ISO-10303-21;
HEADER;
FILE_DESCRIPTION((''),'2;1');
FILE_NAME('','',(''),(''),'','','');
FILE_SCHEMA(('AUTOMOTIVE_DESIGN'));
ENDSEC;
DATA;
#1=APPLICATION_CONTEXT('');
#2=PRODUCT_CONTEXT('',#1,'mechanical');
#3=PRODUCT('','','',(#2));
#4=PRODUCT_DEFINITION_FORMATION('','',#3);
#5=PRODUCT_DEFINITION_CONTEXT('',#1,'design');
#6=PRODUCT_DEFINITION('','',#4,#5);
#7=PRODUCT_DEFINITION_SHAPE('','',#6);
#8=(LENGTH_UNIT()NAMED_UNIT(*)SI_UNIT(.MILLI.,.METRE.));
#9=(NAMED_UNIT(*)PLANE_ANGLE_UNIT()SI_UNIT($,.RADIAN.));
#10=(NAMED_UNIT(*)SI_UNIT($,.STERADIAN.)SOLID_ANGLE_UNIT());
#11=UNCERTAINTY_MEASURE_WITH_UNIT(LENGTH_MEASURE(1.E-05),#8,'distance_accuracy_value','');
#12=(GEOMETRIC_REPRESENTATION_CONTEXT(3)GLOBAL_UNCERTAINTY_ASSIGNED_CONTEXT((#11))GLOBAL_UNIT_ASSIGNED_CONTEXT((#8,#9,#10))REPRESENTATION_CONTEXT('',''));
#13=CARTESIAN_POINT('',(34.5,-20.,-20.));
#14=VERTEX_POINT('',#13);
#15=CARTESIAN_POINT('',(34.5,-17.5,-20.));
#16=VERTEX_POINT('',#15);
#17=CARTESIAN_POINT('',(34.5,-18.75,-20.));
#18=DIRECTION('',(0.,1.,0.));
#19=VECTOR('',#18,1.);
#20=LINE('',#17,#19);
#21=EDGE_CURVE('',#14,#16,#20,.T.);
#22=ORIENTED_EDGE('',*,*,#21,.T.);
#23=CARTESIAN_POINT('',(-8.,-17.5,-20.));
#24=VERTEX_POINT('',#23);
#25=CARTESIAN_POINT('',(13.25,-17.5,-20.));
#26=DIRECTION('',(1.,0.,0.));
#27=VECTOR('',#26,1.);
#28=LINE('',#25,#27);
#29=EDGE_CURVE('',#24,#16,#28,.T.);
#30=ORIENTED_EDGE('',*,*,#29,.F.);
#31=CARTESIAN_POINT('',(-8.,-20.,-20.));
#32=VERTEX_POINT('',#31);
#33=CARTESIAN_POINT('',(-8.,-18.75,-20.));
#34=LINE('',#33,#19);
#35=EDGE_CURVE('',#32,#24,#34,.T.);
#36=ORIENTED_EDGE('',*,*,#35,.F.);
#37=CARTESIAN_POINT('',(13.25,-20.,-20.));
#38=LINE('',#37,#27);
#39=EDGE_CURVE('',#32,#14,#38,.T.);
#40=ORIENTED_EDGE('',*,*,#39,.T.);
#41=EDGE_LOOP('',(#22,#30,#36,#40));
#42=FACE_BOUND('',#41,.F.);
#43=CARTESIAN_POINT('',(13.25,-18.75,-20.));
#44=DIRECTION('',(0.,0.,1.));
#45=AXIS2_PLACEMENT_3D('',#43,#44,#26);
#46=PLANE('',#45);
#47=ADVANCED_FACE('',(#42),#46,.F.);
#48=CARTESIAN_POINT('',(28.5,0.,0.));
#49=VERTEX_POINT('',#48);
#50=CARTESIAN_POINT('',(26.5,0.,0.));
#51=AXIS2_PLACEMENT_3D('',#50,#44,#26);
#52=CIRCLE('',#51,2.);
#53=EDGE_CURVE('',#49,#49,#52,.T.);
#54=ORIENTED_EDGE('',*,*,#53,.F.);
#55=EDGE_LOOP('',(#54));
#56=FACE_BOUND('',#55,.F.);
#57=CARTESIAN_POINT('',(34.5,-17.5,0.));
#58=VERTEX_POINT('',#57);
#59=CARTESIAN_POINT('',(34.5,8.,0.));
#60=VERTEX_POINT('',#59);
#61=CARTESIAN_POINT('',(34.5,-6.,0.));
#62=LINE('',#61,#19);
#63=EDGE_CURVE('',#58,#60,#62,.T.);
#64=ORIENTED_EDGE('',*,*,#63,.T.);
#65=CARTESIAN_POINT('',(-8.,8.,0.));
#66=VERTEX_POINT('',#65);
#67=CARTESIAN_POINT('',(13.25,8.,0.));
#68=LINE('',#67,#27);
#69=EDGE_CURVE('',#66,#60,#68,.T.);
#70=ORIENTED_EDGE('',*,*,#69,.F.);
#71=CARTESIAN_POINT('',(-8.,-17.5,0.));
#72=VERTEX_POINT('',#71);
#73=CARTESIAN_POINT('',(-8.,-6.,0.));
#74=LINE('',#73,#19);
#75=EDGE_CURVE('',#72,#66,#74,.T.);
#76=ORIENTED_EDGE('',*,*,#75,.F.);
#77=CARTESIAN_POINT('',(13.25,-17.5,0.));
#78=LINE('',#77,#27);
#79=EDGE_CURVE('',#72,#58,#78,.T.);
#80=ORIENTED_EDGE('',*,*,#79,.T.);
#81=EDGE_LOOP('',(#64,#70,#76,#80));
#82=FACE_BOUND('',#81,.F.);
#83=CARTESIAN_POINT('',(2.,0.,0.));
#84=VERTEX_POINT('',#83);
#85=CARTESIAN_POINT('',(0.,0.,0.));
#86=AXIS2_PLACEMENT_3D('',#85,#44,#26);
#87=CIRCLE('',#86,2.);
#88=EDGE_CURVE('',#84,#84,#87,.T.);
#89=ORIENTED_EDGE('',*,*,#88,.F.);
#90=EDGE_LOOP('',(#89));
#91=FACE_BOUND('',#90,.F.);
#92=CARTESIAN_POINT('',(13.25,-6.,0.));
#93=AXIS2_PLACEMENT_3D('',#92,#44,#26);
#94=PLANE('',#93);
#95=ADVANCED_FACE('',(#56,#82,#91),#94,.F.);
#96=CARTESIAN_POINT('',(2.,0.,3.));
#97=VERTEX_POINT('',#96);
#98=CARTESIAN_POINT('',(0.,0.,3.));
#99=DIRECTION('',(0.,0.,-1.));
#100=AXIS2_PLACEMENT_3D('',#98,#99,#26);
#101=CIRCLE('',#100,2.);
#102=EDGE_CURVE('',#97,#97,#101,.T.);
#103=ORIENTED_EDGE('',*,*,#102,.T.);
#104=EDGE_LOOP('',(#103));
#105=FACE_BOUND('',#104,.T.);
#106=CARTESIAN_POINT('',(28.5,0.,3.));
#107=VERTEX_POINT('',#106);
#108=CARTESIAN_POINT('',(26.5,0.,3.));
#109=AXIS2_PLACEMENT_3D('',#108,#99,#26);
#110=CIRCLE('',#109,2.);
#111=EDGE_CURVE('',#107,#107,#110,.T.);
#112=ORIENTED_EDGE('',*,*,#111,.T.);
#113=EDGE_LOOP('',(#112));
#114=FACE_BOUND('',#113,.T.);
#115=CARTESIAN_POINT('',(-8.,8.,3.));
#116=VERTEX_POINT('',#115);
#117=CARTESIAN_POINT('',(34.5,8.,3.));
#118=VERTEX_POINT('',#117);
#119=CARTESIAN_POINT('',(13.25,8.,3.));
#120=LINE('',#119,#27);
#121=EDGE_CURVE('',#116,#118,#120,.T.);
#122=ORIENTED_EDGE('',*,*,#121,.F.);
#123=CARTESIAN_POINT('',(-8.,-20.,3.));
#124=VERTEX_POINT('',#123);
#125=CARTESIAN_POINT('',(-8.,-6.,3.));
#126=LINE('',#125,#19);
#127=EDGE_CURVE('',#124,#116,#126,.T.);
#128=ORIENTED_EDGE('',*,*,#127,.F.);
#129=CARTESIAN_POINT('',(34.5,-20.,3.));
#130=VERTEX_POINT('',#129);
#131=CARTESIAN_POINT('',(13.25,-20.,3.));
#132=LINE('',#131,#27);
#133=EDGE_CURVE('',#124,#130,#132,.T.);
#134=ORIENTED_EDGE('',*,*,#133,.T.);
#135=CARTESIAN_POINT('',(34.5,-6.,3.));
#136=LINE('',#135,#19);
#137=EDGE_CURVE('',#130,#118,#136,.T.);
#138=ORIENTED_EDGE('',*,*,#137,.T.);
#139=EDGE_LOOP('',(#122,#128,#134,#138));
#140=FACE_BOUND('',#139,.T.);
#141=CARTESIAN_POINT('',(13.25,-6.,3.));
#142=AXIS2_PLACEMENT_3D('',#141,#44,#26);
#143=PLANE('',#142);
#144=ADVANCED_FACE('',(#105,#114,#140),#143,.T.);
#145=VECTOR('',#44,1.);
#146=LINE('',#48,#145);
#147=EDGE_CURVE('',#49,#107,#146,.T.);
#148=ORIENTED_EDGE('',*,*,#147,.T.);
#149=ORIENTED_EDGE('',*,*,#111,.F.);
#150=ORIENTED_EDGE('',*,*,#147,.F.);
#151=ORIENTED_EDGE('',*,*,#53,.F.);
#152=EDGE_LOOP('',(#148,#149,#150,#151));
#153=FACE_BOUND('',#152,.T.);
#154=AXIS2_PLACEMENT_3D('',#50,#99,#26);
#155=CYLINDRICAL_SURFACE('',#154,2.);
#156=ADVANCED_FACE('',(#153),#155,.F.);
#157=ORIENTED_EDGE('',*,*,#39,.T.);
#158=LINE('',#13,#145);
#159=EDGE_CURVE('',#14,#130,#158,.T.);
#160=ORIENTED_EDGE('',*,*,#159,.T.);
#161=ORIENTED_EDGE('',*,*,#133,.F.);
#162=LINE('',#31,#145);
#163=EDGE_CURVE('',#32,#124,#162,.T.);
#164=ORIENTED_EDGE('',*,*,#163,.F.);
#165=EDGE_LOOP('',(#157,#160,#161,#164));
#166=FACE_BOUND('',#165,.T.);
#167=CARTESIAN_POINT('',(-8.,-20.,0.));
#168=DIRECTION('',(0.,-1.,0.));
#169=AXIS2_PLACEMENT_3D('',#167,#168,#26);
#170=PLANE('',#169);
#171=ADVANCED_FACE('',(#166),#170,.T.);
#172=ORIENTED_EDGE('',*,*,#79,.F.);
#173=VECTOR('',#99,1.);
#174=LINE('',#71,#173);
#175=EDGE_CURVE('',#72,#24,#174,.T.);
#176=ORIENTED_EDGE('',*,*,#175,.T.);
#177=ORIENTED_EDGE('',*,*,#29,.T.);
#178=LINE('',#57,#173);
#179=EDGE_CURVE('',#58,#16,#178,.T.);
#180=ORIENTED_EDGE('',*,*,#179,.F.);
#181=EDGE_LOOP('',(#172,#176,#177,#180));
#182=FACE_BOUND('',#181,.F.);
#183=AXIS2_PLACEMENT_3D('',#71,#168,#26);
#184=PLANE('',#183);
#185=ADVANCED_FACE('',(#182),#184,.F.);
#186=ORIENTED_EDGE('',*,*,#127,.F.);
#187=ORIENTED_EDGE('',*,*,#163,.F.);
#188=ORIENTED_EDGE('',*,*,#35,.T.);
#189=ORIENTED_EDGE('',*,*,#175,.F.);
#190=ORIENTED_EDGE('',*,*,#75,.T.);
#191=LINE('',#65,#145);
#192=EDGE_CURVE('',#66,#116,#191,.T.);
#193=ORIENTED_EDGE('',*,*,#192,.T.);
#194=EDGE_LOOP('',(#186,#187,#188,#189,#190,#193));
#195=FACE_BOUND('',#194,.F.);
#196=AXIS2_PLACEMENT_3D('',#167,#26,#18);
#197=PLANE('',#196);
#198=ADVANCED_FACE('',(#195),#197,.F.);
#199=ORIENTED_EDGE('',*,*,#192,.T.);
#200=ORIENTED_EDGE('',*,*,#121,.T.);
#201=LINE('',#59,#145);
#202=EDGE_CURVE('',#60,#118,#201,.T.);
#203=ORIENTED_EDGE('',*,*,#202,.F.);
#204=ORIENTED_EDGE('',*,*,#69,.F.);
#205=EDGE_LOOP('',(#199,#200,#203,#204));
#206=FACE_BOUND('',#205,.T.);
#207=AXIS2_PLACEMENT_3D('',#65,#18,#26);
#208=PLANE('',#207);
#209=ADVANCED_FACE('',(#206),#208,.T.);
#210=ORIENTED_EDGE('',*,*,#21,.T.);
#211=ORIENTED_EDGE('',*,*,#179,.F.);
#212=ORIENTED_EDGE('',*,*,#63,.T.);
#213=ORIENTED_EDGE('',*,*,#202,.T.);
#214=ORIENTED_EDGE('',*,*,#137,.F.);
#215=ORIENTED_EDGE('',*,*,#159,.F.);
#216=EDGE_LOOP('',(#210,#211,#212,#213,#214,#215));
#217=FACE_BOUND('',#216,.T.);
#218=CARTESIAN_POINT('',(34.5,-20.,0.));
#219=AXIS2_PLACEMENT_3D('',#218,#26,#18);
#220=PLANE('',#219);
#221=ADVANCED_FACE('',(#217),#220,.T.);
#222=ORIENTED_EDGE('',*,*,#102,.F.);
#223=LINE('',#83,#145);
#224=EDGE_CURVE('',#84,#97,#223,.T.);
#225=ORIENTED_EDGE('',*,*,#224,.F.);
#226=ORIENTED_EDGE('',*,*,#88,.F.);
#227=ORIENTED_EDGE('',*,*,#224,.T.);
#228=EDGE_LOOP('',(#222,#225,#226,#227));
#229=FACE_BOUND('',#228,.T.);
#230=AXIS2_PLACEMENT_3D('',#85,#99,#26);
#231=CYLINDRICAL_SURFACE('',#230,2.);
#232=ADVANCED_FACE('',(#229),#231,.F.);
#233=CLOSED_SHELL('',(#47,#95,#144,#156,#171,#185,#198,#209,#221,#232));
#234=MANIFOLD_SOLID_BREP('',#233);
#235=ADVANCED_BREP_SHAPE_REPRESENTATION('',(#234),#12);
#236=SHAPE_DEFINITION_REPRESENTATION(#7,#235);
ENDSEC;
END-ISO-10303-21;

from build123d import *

# Parameters (mm, degrees)
SKETCH002_W     = 42.5
SKETCH002_H     = 28
PAD_DEPTH       = 3
SKETCH_R        = 2
POCKET_DEPTH    = 5
SKETCH001_R     = 2
POCKET001_DEPTH = 5
SKETCH003_W     = 42.5
SKETCH003_H     = 2.5
PAD001_DEPTH    = 20


with BuildPart() as part:
    # Sketch002 → Pad (new body)
    with BuildSketch(Plane.XY):
        with Locations((13.25, -6)):
            Rectangle(SKETCH002_W, SKETCH002_H)
    extrude(amount=PAD_DEPTH)

    # Sketch → Pocket (cut)
    with BuildSketch(Plane.XY):
        Circle(SKETCH_R)
    extrude(amount=POCKET_DEPTH, mode=Mode.SUBTRACT)

    # Sketch001 → Pocket001 (cut)
    with BuildSketch(Plane.XY):
        with Locations((26.5, 0)):
            Circle(SKETCH001_R)
    extrude(amount=POCKET001_DEPTH, mode=Mode.SUBTRACT)

    # Sketch003 → Pad001 (join)
    with BuildSketch(Plane.XY):
        with Locations((13.25, -18.75)):
            Rectangle(SKETCH003_W, SKETCH003_H)
    extrude(amount=-PAD001_DEPTH)


solid = part.part
